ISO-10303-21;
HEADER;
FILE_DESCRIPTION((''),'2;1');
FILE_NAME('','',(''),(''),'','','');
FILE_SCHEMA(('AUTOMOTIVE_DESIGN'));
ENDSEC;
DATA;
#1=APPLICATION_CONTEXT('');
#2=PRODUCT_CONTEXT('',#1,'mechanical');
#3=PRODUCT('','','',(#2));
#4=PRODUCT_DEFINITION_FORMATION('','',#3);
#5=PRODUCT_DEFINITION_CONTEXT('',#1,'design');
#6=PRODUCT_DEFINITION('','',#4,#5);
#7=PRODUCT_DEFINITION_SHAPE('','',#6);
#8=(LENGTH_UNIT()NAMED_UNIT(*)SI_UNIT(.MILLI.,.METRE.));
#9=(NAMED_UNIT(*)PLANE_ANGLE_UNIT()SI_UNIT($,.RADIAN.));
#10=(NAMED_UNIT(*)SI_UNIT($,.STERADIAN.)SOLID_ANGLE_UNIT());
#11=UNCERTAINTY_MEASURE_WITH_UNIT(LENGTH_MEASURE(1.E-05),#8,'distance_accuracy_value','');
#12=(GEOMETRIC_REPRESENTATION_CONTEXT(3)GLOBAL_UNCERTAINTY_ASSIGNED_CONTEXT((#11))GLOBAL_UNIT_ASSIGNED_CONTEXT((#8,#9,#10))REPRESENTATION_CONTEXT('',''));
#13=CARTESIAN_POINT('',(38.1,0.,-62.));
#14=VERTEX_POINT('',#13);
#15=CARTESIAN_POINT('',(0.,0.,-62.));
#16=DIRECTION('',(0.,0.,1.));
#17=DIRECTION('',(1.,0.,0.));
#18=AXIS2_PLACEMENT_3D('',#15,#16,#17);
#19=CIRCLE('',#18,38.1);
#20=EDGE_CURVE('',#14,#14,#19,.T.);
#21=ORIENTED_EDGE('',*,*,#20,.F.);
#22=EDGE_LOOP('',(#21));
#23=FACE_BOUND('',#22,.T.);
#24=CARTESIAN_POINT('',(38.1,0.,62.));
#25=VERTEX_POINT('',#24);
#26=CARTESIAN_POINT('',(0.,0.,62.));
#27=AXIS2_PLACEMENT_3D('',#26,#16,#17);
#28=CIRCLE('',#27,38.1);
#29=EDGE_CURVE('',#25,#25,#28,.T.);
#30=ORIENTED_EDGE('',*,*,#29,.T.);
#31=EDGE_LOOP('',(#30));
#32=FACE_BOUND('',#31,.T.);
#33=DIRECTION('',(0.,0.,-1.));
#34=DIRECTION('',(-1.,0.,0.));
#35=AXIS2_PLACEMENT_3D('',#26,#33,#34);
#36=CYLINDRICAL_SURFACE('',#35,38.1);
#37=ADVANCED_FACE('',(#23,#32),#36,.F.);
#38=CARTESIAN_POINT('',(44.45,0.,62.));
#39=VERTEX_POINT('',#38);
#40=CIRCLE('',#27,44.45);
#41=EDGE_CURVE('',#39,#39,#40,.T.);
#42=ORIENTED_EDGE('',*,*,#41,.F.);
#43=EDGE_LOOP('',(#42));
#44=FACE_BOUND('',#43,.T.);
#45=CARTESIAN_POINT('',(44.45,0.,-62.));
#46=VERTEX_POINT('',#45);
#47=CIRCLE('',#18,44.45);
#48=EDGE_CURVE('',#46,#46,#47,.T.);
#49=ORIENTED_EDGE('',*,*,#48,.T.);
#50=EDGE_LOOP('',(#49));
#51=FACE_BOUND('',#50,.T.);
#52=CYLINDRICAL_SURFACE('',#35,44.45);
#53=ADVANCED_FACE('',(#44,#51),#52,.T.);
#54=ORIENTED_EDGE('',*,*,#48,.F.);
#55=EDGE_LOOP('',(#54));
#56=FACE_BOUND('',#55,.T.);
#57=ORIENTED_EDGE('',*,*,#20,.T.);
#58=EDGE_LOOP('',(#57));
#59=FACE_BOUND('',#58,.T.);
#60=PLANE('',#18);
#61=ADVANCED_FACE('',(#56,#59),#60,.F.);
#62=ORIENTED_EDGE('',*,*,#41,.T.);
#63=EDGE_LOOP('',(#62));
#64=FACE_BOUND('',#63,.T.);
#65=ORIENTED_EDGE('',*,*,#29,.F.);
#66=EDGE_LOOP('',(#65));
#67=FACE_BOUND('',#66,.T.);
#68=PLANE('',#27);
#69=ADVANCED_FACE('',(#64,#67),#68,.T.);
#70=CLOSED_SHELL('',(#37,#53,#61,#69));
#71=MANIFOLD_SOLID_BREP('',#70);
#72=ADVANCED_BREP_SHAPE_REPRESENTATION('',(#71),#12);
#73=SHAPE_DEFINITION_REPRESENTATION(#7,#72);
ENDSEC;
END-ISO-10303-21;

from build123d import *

# Parameters (mm, degrees)
SKETCH1_R           = 44.45
SKETCH1_R_2         = 38.1
BOSS_EXTRUDE1_DEPTH = 62


with BuildPart() as part:
    # Sketch1 → Boss-Extrude1 (new body, symmetric)
    with BuildSketch(Plane.XY):
        Circle(SKETCH1_R)
        Circle(SKETCH1_R_2, mode=Mode.SUBTRACT)
    extrude(amount=BOSS_EXTRUDE1_DEPTH, both=True)


solid = part.part
